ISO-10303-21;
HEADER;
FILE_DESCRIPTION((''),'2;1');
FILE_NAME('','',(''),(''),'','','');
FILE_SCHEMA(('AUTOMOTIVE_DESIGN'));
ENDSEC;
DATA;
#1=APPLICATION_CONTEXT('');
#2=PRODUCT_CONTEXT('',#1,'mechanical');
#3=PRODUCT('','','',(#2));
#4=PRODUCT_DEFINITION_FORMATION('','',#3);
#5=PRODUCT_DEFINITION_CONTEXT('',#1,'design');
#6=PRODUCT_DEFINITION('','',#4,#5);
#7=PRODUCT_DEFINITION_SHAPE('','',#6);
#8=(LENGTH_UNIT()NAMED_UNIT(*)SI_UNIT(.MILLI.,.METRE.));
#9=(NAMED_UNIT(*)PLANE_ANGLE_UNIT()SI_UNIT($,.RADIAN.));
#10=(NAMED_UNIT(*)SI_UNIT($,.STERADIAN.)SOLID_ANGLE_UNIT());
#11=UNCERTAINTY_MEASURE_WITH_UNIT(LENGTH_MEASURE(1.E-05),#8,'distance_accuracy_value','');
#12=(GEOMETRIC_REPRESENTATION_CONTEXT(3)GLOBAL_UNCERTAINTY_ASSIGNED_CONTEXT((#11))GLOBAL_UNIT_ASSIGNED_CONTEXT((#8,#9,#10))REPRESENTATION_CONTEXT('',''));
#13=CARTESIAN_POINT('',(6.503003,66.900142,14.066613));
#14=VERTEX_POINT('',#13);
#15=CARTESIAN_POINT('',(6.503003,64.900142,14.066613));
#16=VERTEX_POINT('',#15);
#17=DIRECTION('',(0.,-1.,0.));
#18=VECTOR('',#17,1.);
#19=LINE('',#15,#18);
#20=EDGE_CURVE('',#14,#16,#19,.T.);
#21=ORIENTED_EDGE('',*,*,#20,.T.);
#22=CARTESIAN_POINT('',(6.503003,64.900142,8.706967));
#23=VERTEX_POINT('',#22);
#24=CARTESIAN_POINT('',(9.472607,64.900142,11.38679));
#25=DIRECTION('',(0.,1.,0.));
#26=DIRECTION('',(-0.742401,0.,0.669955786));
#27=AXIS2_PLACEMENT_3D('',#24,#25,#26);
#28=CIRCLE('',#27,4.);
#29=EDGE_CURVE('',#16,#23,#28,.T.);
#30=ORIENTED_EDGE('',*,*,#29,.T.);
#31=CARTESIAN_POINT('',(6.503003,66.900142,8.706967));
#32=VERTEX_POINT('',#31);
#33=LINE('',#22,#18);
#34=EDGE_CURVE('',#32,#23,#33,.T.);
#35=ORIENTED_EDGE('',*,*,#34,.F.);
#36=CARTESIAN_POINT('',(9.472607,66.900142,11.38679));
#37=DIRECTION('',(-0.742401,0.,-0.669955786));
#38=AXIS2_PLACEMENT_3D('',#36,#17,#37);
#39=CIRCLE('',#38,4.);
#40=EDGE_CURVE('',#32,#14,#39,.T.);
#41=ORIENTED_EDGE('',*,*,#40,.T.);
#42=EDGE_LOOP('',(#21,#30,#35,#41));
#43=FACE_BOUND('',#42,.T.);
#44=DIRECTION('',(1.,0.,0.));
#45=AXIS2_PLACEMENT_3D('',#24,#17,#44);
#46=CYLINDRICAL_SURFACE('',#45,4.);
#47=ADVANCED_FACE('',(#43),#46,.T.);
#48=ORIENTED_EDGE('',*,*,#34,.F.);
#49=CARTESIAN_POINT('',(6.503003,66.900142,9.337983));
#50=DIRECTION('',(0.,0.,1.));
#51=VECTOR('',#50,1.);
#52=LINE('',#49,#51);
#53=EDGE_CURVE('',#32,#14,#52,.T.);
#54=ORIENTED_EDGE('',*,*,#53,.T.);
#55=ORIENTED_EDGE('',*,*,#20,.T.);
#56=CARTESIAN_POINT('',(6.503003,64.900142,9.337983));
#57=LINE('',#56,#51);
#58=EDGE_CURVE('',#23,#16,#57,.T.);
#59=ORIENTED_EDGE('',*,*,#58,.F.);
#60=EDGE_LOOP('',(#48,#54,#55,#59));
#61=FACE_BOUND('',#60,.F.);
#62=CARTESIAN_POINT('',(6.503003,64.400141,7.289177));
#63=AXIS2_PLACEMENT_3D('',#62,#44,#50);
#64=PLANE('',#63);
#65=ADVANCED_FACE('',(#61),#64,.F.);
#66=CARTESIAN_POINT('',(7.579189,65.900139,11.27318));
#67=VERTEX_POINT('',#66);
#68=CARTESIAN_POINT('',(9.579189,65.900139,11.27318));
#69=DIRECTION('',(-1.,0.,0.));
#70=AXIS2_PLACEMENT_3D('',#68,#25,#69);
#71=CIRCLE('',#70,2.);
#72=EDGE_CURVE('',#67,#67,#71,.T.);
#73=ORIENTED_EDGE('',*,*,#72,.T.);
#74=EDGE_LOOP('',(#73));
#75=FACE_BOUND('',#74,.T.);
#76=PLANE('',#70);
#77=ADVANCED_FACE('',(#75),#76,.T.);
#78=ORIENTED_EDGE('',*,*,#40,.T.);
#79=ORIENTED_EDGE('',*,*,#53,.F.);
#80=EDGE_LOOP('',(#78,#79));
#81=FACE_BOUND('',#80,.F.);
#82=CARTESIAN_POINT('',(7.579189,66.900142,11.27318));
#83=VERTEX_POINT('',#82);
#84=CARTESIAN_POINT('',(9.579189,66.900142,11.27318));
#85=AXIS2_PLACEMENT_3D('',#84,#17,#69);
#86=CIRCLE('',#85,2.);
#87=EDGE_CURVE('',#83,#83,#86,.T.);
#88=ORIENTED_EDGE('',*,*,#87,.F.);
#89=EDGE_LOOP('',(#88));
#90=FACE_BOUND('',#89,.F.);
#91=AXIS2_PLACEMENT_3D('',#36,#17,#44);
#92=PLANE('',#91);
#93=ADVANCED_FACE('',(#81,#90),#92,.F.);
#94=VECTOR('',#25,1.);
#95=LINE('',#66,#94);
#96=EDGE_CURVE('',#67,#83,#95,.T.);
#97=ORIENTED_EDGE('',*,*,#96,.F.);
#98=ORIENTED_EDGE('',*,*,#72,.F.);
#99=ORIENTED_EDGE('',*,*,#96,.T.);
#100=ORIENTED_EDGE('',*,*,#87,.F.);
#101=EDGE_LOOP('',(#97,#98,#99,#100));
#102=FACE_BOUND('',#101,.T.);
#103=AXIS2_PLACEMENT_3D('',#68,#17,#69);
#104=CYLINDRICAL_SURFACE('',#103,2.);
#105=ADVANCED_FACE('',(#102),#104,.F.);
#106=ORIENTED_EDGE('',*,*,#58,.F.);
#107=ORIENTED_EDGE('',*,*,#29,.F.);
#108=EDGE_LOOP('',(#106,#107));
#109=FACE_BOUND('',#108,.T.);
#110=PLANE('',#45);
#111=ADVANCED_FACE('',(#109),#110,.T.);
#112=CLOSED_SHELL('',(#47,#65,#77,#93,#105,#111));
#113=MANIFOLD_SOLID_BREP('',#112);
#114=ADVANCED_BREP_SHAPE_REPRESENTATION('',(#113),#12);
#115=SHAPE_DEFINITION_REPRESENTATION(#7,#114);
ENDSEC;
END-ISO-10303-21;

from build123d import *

# Parameters (mm, degrees)
CIRCLE008_AS_DRAWN_R                      = 2
EXTRUDE015_DEPTH                          = 2
EXTRUDE015_ONTO_CIRCLE008_ROLL_ANGLE      = 90
EXTRUDE015_ONTO_CIRCLE008_PLACEMENT_ANGLE = 180
RECTANGLE005_AS_DRAWN_W                   = 5.41291
RECTANGLE005_AS_DRAWN_H                   = 8.044928
EXTRUDE010_DEPTH                          = 3
EXTRUDE010_ONTO_RECTANGLE005_ROLL_ANGLE   = 90
CIRCLE002_AS_DRAWN_R                      = 4
EXTRUDE009_DEPTH                          = 2
EXTRUDE009_ONTO_CIRCLE002_ROLL_ANGLE      = 90


with BuildPart() as extrude015:
    # Circle008 as drawn → Extrude015 (new)
    with BuildSketch(Plane.XY):
        Circle(CIRCLE008_AS_DRAWN_R)
    extrude(amount=EXTRUDE015_DEPTH)


with BuildPart() as extrude015_1:
    # Extrude015 onto Circle008 roll: moved
    add(extrude015.part.rotate(Axis((0, 0, 0), (1, 0, 0)), EXTRUDE015_ONTO_CIRCLE008_ROLL_ANGLE))


with BuildPart() as extrude015_2:
    # Extrude015 onto Circle008 placement: moved
    add(extrude015_1.part.moved(Location((9.579189, 64.900139, 11.27318))).rotate(Axis((9.579189, 64.900139, 11.27318), (0, 0, 1)), EXTRUDE015_ONTO_CIRCLE008_PLACEMENT_ANGLE))


with BuildPart() as extrude015_3:
    # Extrude015 placement: moved
    add(extrude015_2.part.moved(Location((0, 1, 0))))


with BuildPart() as extrude010:
    # Rectangle005 as drawn → Extrude010 (new)
    with BuildSketch(Plane.XY):
        with Locations((-2.706455, -4.022464)):
            Rectangle(RECTANGLE005_AS_DRAWN_W, RECTANGLE005_AS_DRAWN_H)
    extrude(amount=-EXTRUDE010_DEPTH)


with BuildPart() as extrude010_1:
    # Extrude010 onto Rectangle005 roll: moved
    add(extrude010.part.rotate(Axis((0, 0, 0), (1, 0, 0)), EXTRUDE010_ONTO_RECTANGLE005_ROLL_ANGLE))


with BuildPart() as extrude010_2:
    # Extrude010 onto Rectangle005 placement: moved
    add(extrude010_1.part.moved(Location((56.902615, 1.09014, 40.499655))))


with BuildPart() as extrude010_3:
    # Extrude010 placement: moved
    add(extrude010_2.part.moved(Location((0, -0.5, 0))))


with BuildPart() as partemotor2:
    # Circle002 as drawn → Extrude009 (new)
    with BuildSketch(Plane.XY):
        Circle(CIRCLE002_AS_DRAWN_R)
    extrude(amount=-EXTRUDE009_DEPTH)


with BuildPart() as partemotor2_1:
    # Extrude009 onto Circle002 roll: moved
    add(partemotor2.part.rotate(Axis((0, 0, 0), (1, 0, 0)), EXTRUDE009_ONTO_CIRCLE002_ROLL_ANGLE))


with BuildPart() as partemotor2_2:
    # Extrude009 onto Circle002 placement: moved
    add(partemotor2_1.part.moved(Location((59.872219, 1.090141, 36.55234))))

    # Cut: cut Extrude010
    add(extrude010_3.part, mode=Mode.SUBTRACT)


with BuildPart() as partemotor2_3:
    # Cut placement: moved
    add(partemotor2_2.part.moved(Location((-50.399612, 63.810001, -25.16555))))

    # Cut002: cut Extrude015
    add(extrude015_3.part, mode=Mode.SUBTRACT)


solid = partemotor2_3.part
